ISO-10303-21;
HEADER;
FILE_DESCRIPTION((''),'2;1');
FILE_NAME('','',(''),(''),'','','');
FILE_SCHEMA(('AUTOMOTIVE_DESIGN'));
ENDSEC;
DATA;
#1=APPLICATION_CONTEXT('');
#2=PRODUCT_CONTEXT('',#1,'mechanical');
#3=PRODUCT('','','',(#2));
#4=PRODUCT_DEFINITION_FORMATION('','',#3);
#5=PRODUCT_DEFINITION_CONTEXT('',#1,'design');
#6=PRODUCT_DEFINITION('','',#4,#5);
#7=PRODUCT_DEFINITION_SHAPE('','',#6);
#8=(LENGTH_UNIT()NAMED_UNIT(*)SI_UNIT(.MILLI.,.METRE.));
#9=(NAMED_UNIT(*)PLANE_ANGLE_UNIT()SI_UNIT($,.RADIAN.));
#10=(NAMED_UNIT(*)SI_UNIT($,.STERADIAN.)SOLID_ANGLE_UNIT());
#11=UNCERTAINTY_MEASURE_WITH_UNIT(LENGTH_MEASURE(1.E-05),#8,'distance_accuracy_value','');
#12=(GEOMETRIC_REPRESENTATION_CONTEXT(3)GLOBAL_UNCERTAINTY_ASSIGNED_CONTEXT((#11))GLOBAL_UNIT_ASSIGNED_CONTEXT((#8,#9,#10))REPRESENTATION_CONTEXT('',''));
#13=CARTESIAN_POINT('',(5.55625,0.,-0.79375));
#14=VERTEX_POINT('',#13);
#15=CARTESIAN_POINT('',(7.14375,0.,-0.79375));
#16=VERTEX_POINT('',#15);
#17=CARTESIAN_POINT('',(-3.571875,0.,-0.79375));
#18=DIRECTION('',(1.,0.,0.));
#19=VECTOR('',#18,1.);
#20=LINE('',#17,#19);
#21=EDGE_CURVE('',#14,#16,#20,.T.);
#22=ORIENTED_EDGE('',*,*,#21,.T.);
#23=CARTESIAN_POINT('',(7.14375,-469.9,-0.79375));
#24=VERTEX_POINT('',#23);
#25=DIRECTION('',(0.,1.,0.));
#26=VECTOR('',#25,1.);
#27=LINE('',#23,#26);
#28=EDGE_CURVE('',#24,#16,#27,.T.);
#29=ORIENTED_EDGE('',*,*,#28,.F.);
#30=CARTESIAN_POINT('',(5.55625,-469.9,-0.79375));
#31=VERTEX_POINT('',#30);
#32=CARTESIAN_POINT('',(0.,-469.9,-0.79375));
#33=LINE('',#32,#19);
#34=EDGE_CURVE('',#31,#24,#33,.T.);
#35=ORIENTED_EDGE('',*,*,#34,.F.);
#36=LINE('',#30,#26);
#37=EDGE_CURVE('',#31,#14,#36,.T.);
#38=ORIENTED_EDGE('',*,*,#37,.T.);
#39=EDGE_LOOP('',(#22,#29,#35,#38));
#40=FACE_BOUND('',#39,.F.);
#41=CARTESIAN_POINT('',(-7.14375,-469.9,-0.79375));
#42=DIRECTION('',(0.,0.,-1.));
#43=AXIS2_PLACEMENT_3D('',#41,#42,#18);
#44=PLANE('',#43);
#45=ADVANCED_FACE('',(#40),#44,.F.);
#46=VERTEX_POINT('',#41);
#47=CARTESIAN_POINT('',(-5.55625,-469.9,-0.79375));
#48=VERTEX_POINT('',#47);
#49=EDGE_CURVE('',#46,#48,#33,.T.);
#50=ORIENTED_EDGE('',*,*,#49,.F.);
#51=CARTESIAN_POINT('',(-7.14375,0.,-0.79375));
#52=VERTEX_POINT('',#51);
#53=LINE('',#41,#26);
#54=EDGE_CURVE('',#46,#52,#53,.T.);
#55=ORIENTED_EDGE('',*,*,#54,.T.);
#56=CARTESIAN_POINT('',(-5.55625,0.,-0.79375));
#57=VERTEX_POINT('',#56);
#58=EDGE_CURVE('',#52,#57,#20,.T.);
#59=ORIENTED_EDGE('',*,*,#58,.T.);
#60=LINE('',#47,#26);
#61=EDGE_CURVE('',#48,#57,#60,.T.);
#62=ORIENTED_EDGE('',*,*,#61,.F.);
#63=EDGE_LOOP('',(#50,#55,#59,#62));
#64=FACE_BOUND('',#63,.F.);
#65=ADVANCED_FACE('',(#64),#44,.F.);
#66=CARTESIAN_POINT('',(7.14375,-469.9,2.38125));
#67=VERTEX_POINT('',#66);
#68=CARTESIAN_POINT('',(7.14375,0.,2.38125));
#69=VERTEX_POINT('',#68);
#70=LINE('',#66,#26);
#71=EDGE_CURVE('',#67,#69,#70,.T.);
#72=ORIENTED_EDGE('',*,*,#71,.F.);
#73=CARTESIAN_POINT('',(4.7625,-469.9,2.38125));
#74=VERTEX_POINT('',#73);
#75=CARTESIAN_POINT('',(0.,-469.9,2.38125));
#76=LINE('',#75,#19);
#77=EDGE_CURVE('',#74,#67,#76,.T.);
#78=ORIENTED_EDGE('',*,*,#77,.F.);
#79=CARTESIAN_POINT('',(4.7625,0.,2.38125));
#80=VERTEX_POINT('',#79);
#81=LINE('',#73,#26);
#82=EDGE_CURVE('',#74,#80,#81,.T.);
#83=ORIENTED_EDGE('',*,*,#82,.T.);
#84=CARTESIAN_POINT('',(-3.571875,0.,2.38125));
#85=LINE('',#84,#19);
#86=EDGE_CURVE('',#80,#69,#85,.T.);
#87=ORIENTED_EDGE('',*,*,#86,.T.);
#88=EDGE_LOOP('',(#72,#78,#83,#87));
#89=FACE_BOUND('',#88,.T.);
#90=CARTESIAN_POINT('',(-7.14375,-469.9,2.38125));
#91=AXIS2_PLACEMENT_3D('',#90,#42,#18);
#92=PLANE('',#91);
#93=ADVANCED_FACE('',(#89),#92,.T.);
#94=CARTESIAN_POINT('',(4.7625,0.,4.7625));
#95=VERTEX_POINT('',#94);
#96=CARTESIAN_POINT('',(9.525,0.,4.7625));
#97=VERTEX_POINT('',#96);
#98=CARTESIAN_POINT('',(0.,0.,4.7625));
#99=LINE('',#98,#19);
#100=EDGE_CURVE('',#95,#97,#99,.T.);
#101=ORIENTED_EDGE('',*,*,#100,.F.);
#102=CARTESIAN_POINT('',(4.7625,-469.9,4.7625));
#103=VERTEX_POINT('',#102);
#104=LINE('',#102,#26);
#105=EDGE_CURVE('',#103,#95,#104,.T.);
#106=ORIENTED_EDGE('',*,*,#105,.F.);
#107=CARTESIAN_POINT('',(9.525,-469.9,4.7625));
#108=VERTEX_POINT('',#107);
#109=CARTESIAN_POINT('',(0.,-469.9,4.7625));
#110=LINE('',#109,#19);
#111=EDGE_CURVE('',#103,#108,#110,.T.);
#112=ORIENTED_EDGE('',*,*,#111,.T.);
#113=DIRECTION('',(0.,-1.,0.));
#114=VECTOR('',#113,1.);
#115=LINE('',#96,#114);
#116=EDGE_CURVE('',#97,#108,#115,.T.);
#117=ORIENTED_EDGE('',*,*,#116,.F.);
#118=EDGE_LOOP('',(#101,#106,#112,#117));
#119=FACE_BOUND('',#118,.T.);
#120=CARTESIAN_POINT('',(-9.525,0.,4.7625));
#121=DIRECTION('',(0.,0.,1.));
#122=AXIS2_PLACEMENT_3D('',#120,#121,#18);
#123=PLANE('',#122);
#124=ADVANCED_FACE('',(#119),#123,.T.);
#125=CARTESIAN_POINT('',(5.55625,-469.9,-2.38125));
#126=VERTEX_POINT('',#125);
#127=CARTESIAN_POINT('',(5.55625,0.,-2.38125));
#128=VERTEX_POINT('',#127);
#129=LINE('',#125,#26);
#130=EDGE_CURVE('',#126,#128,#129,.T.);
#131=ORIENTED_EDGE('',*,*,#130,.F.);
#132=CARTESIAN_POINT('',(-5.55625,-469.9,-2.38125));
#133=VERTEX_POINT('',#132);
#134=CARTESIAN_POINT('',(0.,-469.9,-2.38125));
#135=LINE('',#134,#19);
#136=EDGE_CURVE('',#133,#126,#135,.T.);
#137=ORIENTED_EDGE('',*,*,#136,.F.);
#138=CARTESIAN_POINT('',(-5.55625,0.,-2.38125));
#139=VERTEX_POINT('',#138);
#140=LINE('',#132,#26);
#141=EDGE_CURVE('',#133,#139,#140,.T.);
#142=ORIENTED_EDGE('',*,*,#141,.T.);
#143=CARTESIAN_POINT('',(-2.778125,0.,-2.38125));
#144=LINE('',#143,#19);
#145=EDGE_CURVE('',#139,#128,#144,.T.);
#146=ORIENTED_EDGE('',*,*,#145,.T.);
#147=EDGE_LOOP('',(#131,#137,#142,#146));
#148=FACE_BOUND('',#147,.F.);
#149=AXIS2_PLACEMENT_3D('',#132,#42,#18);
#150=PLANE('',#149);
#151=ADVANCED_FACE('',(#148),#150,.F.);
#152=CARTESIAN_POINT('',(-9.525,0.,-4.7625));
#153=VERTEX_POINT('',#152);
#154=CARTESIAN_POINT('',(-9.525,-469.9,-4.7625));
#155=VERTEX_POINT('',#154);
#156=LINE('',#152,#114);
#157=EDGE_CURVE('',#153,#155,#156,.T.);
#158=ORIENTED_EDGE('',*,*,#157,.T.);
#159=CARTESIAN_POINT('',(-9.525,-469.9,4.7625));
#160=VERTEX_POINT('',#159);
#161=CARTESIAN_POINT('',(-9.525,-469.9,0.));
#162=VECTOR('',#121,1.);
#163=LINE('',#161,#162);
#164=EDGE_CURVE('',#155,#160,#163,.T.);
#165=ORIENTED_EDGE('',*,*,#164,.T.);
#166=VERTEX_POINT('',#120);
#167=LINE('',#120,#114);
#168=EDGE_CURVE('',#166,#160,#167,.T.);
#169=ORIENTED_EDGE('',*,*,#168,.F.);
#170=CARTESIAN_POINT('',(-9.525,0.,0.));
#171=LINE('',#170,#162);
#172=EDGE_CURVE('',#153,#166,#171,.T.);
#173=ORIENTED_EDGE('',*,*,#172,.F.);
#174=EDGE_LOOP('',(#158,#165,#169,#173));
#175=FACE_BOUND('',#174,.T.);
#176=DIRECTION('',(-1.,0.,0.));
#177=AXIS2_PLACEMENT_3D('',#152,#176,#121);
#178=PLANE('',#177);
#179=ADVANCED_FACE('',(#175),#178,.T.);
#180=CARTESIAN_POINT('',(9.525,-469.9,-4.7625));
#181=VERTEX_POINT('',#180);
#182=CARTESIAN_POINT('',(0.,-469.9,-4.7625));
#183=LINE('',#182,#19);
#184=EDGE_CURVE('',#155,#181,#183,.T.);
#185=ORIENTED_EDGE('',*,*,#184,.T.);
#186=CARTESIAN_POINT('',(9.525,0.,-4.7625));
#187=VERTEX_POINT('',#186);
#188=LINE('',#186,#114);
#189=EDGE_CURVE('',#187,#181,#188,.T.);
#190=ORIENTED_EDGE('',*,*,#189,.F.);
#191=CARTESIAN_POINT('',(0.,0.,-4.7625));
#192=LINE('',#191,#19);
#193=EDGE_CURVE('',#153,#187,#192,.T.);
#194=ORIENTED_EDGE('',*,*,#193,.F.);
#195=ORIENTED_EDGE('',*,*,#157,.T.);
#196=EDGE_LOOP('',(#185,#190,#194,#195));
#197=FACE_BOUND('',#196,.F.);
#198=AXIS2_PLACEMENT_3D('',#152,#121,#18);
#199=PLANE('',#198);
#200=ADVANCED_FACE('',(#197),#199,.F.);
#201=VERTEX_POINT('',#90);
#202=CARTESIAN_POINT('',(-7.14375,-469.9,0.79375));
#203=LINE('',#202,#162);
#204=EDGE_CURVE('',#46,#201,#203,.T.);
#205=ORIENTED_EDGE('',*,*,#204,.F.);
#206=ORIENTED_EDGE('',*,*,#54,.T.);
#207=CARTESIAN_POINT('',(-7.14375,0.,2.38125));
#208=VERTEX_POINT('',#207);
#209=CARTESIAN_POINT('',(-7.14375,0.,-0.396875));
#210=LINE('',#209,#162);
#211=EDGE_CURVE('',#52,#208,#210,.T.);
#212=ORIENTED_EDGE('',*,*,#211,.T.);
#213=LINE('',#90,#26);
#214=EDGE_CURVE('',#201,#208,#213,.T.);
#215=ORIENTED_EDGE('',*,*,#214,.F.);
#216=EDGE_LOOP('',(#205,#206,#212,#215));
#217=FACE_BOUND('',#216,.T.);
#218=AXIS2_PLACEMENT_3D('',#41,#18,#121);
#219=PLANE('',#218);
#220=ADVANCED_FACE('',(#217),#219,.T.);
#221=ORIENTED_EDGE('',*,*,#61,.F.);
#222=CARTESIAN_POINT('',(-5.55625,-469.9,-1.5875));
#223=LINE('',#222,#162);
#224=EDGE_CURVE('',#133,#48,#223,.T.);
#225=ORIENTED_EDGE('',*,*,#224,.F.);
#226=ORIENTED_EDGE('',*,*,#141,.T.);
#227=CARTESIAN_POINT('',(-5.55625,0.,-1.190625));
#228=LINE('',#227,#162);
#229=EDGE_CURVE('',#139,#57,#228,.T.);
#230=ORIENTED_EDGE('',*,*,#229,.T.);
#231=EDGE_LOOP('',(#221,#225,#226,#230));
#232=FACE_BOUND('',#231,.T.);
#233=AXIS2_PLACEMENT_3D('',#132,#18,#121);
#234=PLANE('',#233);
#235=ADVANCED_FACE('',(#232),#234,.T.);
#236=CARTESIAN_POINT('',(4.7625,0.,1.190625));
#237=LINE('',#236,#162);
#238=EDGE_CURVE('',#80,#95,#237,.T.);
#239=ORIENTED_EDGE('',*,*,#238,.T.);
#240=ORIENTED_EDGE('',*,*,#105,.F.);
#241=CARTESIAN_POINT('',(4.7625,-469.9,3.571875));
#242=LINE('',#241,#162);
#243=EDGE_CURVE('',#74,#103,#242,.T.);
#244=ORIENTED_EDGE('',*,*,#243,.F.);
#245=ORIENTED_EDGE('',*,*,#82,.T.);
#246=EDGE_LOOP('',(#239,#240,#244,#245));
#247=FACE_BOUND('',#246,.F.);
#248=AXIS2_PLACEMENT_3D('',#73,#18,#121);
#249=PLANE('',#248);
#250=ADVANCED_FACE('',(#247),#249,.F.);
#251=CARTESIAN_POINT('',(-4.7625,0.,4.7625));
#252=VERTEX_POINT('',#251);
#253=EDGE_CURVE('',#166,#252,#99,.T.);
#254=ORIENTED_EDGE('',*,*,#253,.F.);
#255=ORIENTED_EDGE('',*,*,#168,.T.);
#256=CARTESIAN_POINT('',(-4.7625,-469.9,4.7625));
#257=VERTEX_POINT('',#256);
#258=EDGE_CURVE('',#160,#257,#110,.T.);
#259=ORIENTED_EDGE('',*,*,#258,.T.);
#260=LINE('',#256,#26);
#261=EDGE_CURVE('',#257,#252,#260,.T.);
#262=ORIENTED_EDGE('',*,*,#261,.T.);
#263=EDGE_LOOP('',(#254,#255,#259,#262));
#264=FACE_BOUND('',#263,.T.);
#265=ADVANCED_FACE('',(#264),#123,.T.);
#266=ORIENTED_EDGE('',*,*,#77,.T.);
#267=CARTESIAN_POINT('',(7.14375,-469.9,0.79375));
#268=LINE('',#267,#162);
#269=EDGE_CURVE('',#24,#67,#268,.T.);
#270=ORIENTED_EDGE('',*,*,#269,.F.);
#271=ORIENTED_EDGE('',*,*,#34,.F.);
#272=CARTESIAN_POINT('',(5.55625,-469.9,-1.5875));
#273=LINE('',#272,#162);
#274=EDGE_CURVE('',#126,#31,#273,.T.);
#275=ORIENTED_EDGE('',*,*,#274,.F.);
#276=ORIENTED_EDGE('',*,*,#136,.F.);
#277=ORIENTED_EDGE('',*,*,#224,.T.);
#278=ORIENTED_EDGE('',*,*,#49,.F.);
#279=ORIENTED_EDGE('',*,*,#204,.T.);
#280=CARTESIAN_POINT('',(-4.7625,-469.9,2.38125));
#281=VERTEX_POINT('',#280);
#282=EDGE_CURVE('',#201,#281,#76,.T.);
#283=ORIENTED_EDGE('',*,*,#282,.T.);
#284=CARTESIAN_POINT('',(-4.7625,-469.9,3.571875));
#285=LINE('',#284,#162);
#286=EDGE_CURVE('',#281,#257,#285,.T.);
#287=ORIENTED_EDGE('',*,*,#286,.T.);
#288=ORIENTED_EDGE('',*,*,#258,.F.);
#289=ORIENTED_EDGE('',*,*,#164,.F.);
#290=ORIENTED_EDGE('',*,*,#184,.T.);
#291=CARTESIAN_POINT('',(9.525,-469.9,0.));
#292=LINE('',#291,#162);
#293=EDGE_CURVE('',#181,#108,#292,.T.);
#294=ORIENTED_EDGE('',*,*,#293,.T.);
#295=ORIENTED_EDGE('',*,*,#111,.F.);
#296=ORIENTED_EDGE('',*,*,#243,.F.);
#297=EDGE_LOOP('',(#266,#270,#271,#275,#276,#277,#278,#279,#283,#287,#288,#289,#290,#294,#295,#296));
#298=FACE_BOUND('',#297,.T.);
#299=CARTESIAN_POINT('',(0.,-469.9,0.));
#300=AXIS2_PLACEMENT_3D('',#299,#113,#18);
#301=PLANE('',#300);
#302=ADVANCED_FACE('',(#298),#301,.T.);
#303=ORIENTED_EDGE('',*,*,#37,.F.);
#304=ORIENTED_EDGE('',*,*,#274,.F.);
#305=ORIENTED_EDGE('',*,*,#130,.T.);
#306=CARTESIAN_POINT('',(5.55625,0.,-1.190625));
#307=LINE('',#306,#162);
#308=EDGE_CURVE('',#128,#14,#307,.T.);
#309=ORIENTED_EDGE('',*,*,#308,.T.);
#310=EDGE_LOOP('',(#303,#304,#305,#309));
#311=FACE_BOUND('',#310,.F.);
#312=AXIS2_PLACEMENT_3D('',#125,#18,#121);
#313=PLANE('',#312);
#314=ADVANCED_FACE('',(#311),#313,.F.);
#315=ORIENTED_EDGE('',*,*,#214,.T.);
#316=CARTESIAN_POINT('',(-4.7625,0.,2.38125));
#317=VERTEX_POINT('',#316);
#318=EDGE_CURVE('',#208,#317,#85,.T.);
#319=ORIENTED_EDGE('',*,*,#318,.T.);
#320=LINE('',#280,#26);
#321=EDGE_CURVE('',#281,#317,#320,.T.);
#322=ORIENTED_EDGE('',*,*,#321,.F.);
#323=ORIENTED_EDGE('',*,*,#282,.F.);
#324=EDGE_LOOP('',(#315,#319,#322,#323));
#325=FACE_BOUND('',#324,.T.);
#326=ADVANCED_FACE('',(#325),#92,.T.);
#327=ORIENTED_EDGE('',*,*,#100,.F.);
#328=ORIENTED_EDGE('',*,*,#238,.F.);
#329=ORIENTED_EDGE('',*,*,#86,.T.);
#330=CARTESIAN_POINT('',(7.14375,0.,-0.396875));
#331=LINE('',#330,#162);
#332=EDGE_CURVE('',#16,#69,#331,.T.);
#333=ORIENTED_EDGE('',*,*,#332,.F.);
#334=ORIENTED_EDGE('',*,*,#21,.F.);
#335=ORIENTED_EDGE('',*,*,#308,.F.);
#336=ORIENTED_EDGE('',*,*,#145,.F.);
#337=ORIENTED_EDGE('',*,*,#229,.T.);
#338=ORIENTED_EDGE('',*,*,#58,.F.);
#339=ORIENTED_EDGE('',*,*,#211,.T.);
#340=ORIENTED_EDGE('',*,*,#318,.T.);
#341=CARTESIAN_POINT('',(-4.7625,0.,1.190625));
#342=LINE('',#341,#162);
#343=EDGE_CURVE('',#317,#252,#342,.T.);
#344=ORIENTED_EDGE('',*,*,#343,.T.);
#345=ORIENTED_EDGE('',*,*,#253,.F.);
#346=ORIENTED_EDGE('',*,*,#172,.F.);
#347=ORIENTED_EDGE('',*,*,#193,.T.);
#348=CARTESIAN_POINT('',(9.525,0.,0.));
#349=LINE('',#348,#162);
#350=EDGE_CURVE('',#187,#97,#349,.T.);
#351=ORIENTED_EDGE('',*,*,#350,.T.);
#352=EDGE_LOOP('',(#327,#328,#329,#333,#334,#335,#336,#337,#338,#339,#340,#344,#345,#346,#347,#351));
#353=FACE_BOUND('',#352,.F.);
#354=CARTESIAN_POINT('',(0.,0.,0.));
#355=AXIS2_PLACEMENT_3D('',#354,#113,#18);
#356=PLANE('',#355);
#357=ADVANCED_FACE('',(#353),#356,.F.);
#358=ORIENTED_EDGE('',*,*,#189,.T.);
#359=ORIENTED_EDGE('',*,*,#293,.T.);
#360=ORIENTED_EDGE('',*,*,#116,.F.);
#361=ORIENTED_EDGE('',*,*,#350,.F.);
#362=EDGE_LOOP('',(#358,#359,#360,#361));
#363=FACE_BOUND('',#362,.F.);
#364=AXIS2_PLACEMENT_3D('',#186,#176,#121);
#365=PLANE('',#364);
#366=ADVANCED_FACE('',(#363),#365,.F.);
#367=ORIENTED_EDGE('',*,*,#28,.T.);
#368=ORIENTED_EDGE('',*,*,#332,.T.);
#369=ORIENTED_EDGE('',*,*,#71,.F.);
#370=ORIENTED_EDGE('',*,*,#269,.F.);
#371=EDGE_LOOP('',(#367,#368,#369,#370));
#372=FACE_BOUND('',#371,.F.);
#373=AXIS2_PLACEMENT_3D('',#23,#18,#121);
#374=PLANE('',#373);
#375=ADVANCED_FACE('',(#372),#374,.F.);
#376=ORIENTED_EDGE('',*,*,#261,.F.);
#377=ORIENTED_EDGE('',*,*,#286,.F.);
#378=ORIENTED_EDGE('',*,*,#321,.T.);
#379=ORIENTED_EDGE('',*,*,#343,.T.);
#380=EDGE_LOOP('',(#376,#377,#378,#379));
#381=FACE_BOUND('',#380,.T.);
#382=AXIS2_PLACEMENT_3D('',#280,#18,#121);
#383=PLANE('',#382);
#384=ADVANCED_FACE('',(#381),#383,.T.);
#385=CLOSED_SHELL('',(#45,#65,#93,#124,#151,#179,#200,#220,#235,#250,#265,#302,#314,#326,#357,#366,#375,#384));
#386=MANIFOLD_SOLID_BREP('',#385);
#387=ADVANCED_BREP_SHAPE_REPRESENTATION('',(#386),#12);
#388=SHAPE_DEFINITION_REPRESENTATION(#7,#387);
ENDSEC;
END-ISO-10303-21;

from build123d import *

# Parameters (mm, degrees)
SKETCH_W        = 19.05
SKETCH_H        = 9.525
PAD_DEPTH       = 469.9
SKETCH001_W     = 9.525
SKETCH001_H     = 2.38125
POCKET_DEPTH    = 469.901
SKETCH002_W     = 14.2875
SKETCH002_H     = 3.175
POCKET001_DEPTH = 469.901
SKETCH003_W     = 11.1125
SKETCH003_H     = 1.5875
POCKET002_DEPTH = 469.901


with BuildPart() as part:
    # Sketch → Pad (new body)
    with BuildSketch(Plane.XZ):
        Rectangle(SKETCH_W, SKETCH_H)
    extrude(amount=PAD_DEPTH)

    # Sketch001 (on Face6 of Pad) → Pocket (cut, through all)
    with BuildSketch(Plane.XZ.offset(469.9)):
        with Locations((0, 3.571875)):
            Rectangle(SKETCH001_W, SKETCH001_H)
    extrude(amount=-POCKET_DEPTH, mode=Mode.SUBTRACT)

    # Sketch002 (on Face5 of Pocket) → Pocket001 (cut, through all)
    with BuildSketch(Plane.XZ.offset(469.9)):
        with Locations((0, 0.79375)):
            Rectangle(SKETCH002_W, SKETCH002_H)
    extrude(amount=-POCKET001_DEPTH, mode=Mode.SUBTRACT)

    # Sketch003 (on Face5 of Pocket001) → Pocket002 (cut, through all)
    with BuildSketch(Plane.XZ.offset(469.9)):
        with Locations((0, -1.5875)):
            Rectangle(SKETCH003_W, SKETCH003_H)
    extrude(amount=-POCKET002_DEPTH, mode=Mode.SUBTRACT)


solid = part.part
